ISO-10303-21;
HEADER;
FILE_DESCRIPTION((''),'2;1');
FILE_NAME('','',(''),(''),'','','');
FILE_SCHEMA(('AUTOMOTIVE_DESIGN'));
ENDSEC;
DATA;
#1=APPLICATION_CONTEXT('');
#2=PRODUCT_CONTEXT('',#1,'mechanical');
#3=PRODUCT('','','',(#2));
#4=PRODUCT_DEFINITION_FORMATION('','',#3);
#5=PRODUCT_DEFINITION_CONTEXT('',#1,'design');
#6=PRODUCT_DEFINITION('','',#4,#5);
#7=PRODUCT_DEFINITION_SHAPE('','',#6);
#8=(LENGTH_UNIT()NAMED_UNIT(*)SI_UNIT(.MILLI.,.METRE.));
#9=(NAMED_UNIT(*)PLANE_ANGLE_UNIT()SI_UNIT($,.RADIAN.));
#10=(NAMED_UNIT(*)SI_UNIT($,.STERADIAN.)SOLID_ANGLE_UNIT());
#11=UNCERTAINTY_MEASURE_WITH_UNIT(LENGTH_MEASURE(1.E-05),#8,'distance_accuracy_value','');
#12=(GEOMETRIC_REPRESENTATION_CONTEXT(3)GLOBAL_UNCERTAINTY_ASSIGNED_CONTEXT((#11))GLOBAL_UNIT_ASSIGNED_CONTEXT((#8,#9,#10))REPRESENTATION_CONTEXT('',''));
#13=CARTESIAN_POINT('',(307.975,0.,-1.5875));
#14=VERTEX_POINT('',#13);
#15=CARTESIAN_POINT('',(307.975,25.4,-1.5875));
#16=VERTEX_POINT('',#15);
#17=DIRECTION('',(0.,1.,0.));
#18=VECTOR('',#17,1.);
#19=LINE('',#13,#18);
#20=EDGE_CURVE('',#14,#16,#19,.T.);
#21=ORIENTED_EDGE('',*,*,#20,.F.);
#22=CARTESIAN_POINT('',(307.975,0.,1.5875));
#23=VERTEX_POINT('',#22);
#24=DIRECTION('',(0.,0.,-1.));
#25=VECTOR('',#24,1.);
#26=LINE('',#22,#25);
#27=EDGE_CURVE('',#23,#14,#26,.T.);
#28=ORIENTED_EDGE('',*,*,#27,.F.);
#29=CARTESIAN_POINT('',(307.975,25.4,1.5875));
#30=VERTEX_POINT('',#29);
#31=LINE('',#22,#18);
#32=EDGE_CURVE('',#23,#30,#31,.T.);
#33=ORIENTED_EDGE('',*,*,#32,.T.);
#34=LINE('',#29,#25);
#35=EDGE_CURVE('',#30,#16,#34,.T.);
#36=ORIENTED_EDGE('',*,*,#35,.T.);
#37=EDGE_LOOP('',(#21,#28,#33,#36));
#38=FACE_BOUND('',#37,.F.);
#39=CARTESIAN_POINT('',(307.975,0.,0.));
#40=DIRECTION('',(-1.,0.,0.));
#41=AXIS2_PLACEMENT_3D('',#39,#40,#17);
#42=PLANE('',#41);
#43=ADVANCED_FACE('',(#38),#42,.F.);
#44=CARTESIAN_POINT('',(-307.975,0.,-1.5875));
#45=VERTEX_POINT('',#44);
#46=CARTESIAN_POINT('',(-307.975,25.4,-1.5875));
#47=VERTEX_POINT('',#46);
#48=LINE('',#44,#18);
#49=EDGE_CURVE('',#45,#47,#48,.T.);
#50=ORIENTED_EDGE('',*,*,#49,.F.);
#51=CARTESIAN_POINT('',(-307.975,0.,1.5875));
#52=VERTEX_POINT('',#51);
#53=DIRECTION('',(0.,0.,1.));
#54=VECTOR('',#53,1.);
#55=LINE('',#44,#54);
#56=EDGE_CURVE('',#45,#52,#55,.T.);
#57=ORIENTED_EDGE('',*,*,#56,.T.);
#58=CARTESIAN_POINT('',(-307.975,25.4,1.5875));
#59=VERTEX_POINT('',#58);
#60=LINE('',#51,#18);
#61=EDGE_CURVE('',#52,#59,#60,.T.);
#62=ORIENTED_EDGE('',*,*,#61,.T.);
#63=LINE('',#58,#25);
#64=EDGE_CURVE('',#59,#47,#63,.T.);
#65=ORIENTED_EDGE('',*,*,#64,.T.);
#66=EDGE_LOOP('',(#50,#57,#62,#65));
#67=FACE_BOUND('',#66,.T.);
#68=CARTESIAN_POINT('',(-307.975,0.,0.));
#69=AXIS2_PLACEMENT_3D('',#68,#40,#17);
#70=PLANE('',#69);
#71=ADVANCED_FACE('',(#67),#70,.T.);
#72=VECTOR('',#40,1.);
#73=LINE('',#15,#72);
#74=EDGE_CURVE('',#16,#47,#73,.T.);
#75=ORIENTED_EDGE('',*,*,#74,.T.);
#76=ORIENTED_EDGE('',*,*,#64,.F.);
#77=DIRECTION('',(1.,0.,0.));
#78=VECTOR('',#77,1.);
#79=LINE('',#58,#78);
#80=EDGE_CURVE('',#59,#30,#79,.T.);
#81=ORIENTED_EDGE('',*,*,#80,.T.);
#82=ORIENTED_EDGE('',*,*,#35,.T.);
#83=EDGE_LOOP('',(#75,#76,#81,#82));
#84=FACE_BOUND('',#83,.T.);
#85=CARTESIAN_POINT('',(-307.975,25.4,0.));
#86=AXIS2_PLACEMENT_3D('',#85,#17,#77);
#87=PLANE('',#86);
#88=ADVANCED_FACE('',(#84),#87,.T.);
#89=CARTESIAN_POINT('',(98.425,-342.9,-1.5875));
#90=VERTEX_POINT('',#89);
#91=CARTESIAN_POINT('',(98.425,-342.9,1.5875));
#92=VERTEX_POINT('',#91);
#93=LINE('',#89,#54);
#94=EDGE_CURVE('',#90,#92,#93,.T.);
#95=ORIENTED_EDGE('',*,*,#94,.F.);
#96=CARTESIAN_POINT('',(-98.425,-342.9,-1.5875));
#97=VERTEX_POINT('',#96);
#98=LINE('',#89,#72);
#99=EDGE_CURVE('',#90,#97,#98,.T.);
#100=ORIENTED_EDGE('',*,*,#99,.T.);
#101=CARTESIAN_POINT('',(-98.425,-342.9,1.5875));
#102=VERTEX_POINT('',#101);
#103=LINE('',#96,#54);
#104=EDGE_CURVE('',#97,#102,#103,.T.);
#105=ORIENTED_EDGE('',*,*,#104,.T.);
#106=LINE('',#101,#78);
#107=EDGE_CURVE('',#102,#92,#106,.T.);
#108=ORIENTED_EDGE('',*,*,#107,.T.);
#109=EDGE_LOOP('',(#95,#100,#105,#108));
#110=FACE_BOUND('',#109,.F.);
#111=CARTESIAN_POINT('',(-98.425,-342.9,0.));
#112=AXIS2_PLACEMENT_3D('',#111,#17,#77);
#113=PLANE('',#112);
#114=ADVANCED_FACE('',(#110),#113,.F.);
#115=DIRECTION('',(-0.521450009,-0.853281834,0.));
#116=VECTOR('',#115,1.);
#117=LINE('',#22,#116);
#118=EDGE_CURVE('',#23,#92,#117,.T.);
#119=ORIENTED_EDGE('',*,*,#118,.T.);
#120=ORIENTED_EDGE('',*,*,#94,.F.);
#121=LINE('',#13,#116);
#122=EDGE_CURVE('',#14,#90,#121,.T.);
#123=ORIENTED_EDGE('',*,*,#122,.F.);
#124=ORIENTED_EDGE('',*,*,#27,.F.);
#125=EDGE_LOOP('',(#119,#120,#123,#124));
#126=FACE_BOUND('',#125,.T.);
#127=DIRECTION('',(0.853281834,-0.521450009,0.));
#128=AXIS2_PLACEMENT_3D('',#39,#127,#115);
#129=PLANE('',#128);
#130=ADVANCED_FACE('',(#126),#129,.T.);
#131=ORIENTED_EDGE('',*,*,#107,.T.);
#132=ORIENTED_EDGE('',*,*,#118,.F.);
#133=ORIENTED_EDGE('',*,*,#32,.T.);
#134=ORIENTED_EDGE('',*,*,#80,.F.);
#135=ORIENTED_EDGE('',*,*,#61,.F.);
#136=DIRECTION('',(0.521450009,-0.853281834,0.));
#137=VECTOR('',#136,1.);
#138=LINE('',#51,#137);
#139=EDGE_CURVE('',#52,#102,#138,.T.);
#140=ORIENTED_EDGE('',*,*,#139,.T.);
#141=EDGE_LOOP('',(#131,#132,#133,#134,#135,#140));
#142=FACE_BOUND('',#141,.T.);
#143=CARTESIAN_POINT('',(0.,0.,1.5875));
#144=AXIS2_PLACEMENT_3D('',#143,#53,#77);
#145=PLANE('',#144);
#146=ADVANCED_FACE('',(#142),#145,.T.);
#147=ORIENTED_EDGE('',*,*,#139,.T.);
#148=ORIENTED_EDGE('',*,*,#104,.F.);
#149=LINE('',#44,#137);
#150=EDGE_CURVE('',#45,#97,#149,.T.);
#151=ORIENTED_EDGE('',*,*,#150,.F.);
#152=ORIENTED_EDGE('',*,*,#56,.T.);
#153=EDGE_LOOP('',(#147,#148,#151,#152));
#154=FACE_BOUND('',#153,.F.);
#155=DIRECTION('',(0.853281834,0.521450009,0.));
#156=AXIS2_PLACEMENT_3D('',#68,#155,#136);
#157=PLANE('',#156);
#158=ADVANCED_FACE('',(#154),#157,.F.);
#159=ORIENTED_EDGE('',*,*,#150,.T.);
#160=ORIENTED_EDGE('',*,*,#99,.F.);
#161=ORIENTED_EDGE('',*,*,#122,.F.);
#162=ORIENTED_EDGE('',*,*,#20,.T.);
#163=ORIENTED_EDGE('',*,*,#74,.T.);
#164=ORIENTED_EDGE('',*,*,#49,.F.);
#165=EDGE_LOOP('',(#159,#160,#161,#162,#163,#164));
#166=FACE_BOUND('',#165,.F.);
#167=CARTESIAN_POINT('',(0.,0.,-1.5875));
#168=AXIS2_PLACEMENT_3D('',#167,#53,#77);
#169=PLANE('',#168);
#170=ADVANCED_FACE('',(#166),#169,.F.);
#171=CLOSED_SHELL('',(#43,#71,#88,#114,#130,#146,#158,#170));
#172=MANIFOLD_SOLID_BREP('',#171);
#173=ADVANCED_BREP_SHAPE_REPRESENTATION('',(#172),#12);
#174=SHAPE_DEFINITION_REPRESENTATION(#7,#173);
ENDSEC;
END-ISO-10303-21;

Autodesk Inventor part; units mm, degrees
ref_plane "YZ Plane" through (0, 0, 0) normal (1, 0, 0) x (0, 1, 0)
ref_plane "XZ Plane" through (0, 0, 0) normal (0, 1, 0) x (-1, 0, 0)
ref_plane "XY Plane" through (0, 0, 0) normal (0, 0, 1) x (1, 0, 0)
sketch "Sketch1" plane through (0, 0, 0) normal (0, 0, 1) x (1, 0, 0)
  line L0 (-431.165, 0) -> (431.165, 0) projected
  line L1 (0, -416.56) -> (0, 99.06) projected
  line L2 (-307.975, 25.4) -> (307.975, 25.4)
  line L3 (-98.425, -342.9) -> (98.425, -342.9)
  line L4 (-307.975, 0) -> (-98.425, -342.9)
  line L5 (307.975, 0) -> (98.425, -342.9)
  line L6 (307.975, 0) -> (307.975, 25.4)
  line L7 (-307.975, 0) -> (-307.975, 25.4)
  point P0 (0, 0)
  point P1 (0, 25.4)
  point P2 (0, -342.9)
  point P3 (0, 25.4)
  dimension "d0" = 196.85
  dimension "d2" = 368.3
  dimension "d7" = 25.4
  dimension "d8" = 615.95
extrude "Extrusion1" add sketch "Sketch1" along normal mid plane 3.175
properties part number "electrical board back" material "ABS Plastic"
